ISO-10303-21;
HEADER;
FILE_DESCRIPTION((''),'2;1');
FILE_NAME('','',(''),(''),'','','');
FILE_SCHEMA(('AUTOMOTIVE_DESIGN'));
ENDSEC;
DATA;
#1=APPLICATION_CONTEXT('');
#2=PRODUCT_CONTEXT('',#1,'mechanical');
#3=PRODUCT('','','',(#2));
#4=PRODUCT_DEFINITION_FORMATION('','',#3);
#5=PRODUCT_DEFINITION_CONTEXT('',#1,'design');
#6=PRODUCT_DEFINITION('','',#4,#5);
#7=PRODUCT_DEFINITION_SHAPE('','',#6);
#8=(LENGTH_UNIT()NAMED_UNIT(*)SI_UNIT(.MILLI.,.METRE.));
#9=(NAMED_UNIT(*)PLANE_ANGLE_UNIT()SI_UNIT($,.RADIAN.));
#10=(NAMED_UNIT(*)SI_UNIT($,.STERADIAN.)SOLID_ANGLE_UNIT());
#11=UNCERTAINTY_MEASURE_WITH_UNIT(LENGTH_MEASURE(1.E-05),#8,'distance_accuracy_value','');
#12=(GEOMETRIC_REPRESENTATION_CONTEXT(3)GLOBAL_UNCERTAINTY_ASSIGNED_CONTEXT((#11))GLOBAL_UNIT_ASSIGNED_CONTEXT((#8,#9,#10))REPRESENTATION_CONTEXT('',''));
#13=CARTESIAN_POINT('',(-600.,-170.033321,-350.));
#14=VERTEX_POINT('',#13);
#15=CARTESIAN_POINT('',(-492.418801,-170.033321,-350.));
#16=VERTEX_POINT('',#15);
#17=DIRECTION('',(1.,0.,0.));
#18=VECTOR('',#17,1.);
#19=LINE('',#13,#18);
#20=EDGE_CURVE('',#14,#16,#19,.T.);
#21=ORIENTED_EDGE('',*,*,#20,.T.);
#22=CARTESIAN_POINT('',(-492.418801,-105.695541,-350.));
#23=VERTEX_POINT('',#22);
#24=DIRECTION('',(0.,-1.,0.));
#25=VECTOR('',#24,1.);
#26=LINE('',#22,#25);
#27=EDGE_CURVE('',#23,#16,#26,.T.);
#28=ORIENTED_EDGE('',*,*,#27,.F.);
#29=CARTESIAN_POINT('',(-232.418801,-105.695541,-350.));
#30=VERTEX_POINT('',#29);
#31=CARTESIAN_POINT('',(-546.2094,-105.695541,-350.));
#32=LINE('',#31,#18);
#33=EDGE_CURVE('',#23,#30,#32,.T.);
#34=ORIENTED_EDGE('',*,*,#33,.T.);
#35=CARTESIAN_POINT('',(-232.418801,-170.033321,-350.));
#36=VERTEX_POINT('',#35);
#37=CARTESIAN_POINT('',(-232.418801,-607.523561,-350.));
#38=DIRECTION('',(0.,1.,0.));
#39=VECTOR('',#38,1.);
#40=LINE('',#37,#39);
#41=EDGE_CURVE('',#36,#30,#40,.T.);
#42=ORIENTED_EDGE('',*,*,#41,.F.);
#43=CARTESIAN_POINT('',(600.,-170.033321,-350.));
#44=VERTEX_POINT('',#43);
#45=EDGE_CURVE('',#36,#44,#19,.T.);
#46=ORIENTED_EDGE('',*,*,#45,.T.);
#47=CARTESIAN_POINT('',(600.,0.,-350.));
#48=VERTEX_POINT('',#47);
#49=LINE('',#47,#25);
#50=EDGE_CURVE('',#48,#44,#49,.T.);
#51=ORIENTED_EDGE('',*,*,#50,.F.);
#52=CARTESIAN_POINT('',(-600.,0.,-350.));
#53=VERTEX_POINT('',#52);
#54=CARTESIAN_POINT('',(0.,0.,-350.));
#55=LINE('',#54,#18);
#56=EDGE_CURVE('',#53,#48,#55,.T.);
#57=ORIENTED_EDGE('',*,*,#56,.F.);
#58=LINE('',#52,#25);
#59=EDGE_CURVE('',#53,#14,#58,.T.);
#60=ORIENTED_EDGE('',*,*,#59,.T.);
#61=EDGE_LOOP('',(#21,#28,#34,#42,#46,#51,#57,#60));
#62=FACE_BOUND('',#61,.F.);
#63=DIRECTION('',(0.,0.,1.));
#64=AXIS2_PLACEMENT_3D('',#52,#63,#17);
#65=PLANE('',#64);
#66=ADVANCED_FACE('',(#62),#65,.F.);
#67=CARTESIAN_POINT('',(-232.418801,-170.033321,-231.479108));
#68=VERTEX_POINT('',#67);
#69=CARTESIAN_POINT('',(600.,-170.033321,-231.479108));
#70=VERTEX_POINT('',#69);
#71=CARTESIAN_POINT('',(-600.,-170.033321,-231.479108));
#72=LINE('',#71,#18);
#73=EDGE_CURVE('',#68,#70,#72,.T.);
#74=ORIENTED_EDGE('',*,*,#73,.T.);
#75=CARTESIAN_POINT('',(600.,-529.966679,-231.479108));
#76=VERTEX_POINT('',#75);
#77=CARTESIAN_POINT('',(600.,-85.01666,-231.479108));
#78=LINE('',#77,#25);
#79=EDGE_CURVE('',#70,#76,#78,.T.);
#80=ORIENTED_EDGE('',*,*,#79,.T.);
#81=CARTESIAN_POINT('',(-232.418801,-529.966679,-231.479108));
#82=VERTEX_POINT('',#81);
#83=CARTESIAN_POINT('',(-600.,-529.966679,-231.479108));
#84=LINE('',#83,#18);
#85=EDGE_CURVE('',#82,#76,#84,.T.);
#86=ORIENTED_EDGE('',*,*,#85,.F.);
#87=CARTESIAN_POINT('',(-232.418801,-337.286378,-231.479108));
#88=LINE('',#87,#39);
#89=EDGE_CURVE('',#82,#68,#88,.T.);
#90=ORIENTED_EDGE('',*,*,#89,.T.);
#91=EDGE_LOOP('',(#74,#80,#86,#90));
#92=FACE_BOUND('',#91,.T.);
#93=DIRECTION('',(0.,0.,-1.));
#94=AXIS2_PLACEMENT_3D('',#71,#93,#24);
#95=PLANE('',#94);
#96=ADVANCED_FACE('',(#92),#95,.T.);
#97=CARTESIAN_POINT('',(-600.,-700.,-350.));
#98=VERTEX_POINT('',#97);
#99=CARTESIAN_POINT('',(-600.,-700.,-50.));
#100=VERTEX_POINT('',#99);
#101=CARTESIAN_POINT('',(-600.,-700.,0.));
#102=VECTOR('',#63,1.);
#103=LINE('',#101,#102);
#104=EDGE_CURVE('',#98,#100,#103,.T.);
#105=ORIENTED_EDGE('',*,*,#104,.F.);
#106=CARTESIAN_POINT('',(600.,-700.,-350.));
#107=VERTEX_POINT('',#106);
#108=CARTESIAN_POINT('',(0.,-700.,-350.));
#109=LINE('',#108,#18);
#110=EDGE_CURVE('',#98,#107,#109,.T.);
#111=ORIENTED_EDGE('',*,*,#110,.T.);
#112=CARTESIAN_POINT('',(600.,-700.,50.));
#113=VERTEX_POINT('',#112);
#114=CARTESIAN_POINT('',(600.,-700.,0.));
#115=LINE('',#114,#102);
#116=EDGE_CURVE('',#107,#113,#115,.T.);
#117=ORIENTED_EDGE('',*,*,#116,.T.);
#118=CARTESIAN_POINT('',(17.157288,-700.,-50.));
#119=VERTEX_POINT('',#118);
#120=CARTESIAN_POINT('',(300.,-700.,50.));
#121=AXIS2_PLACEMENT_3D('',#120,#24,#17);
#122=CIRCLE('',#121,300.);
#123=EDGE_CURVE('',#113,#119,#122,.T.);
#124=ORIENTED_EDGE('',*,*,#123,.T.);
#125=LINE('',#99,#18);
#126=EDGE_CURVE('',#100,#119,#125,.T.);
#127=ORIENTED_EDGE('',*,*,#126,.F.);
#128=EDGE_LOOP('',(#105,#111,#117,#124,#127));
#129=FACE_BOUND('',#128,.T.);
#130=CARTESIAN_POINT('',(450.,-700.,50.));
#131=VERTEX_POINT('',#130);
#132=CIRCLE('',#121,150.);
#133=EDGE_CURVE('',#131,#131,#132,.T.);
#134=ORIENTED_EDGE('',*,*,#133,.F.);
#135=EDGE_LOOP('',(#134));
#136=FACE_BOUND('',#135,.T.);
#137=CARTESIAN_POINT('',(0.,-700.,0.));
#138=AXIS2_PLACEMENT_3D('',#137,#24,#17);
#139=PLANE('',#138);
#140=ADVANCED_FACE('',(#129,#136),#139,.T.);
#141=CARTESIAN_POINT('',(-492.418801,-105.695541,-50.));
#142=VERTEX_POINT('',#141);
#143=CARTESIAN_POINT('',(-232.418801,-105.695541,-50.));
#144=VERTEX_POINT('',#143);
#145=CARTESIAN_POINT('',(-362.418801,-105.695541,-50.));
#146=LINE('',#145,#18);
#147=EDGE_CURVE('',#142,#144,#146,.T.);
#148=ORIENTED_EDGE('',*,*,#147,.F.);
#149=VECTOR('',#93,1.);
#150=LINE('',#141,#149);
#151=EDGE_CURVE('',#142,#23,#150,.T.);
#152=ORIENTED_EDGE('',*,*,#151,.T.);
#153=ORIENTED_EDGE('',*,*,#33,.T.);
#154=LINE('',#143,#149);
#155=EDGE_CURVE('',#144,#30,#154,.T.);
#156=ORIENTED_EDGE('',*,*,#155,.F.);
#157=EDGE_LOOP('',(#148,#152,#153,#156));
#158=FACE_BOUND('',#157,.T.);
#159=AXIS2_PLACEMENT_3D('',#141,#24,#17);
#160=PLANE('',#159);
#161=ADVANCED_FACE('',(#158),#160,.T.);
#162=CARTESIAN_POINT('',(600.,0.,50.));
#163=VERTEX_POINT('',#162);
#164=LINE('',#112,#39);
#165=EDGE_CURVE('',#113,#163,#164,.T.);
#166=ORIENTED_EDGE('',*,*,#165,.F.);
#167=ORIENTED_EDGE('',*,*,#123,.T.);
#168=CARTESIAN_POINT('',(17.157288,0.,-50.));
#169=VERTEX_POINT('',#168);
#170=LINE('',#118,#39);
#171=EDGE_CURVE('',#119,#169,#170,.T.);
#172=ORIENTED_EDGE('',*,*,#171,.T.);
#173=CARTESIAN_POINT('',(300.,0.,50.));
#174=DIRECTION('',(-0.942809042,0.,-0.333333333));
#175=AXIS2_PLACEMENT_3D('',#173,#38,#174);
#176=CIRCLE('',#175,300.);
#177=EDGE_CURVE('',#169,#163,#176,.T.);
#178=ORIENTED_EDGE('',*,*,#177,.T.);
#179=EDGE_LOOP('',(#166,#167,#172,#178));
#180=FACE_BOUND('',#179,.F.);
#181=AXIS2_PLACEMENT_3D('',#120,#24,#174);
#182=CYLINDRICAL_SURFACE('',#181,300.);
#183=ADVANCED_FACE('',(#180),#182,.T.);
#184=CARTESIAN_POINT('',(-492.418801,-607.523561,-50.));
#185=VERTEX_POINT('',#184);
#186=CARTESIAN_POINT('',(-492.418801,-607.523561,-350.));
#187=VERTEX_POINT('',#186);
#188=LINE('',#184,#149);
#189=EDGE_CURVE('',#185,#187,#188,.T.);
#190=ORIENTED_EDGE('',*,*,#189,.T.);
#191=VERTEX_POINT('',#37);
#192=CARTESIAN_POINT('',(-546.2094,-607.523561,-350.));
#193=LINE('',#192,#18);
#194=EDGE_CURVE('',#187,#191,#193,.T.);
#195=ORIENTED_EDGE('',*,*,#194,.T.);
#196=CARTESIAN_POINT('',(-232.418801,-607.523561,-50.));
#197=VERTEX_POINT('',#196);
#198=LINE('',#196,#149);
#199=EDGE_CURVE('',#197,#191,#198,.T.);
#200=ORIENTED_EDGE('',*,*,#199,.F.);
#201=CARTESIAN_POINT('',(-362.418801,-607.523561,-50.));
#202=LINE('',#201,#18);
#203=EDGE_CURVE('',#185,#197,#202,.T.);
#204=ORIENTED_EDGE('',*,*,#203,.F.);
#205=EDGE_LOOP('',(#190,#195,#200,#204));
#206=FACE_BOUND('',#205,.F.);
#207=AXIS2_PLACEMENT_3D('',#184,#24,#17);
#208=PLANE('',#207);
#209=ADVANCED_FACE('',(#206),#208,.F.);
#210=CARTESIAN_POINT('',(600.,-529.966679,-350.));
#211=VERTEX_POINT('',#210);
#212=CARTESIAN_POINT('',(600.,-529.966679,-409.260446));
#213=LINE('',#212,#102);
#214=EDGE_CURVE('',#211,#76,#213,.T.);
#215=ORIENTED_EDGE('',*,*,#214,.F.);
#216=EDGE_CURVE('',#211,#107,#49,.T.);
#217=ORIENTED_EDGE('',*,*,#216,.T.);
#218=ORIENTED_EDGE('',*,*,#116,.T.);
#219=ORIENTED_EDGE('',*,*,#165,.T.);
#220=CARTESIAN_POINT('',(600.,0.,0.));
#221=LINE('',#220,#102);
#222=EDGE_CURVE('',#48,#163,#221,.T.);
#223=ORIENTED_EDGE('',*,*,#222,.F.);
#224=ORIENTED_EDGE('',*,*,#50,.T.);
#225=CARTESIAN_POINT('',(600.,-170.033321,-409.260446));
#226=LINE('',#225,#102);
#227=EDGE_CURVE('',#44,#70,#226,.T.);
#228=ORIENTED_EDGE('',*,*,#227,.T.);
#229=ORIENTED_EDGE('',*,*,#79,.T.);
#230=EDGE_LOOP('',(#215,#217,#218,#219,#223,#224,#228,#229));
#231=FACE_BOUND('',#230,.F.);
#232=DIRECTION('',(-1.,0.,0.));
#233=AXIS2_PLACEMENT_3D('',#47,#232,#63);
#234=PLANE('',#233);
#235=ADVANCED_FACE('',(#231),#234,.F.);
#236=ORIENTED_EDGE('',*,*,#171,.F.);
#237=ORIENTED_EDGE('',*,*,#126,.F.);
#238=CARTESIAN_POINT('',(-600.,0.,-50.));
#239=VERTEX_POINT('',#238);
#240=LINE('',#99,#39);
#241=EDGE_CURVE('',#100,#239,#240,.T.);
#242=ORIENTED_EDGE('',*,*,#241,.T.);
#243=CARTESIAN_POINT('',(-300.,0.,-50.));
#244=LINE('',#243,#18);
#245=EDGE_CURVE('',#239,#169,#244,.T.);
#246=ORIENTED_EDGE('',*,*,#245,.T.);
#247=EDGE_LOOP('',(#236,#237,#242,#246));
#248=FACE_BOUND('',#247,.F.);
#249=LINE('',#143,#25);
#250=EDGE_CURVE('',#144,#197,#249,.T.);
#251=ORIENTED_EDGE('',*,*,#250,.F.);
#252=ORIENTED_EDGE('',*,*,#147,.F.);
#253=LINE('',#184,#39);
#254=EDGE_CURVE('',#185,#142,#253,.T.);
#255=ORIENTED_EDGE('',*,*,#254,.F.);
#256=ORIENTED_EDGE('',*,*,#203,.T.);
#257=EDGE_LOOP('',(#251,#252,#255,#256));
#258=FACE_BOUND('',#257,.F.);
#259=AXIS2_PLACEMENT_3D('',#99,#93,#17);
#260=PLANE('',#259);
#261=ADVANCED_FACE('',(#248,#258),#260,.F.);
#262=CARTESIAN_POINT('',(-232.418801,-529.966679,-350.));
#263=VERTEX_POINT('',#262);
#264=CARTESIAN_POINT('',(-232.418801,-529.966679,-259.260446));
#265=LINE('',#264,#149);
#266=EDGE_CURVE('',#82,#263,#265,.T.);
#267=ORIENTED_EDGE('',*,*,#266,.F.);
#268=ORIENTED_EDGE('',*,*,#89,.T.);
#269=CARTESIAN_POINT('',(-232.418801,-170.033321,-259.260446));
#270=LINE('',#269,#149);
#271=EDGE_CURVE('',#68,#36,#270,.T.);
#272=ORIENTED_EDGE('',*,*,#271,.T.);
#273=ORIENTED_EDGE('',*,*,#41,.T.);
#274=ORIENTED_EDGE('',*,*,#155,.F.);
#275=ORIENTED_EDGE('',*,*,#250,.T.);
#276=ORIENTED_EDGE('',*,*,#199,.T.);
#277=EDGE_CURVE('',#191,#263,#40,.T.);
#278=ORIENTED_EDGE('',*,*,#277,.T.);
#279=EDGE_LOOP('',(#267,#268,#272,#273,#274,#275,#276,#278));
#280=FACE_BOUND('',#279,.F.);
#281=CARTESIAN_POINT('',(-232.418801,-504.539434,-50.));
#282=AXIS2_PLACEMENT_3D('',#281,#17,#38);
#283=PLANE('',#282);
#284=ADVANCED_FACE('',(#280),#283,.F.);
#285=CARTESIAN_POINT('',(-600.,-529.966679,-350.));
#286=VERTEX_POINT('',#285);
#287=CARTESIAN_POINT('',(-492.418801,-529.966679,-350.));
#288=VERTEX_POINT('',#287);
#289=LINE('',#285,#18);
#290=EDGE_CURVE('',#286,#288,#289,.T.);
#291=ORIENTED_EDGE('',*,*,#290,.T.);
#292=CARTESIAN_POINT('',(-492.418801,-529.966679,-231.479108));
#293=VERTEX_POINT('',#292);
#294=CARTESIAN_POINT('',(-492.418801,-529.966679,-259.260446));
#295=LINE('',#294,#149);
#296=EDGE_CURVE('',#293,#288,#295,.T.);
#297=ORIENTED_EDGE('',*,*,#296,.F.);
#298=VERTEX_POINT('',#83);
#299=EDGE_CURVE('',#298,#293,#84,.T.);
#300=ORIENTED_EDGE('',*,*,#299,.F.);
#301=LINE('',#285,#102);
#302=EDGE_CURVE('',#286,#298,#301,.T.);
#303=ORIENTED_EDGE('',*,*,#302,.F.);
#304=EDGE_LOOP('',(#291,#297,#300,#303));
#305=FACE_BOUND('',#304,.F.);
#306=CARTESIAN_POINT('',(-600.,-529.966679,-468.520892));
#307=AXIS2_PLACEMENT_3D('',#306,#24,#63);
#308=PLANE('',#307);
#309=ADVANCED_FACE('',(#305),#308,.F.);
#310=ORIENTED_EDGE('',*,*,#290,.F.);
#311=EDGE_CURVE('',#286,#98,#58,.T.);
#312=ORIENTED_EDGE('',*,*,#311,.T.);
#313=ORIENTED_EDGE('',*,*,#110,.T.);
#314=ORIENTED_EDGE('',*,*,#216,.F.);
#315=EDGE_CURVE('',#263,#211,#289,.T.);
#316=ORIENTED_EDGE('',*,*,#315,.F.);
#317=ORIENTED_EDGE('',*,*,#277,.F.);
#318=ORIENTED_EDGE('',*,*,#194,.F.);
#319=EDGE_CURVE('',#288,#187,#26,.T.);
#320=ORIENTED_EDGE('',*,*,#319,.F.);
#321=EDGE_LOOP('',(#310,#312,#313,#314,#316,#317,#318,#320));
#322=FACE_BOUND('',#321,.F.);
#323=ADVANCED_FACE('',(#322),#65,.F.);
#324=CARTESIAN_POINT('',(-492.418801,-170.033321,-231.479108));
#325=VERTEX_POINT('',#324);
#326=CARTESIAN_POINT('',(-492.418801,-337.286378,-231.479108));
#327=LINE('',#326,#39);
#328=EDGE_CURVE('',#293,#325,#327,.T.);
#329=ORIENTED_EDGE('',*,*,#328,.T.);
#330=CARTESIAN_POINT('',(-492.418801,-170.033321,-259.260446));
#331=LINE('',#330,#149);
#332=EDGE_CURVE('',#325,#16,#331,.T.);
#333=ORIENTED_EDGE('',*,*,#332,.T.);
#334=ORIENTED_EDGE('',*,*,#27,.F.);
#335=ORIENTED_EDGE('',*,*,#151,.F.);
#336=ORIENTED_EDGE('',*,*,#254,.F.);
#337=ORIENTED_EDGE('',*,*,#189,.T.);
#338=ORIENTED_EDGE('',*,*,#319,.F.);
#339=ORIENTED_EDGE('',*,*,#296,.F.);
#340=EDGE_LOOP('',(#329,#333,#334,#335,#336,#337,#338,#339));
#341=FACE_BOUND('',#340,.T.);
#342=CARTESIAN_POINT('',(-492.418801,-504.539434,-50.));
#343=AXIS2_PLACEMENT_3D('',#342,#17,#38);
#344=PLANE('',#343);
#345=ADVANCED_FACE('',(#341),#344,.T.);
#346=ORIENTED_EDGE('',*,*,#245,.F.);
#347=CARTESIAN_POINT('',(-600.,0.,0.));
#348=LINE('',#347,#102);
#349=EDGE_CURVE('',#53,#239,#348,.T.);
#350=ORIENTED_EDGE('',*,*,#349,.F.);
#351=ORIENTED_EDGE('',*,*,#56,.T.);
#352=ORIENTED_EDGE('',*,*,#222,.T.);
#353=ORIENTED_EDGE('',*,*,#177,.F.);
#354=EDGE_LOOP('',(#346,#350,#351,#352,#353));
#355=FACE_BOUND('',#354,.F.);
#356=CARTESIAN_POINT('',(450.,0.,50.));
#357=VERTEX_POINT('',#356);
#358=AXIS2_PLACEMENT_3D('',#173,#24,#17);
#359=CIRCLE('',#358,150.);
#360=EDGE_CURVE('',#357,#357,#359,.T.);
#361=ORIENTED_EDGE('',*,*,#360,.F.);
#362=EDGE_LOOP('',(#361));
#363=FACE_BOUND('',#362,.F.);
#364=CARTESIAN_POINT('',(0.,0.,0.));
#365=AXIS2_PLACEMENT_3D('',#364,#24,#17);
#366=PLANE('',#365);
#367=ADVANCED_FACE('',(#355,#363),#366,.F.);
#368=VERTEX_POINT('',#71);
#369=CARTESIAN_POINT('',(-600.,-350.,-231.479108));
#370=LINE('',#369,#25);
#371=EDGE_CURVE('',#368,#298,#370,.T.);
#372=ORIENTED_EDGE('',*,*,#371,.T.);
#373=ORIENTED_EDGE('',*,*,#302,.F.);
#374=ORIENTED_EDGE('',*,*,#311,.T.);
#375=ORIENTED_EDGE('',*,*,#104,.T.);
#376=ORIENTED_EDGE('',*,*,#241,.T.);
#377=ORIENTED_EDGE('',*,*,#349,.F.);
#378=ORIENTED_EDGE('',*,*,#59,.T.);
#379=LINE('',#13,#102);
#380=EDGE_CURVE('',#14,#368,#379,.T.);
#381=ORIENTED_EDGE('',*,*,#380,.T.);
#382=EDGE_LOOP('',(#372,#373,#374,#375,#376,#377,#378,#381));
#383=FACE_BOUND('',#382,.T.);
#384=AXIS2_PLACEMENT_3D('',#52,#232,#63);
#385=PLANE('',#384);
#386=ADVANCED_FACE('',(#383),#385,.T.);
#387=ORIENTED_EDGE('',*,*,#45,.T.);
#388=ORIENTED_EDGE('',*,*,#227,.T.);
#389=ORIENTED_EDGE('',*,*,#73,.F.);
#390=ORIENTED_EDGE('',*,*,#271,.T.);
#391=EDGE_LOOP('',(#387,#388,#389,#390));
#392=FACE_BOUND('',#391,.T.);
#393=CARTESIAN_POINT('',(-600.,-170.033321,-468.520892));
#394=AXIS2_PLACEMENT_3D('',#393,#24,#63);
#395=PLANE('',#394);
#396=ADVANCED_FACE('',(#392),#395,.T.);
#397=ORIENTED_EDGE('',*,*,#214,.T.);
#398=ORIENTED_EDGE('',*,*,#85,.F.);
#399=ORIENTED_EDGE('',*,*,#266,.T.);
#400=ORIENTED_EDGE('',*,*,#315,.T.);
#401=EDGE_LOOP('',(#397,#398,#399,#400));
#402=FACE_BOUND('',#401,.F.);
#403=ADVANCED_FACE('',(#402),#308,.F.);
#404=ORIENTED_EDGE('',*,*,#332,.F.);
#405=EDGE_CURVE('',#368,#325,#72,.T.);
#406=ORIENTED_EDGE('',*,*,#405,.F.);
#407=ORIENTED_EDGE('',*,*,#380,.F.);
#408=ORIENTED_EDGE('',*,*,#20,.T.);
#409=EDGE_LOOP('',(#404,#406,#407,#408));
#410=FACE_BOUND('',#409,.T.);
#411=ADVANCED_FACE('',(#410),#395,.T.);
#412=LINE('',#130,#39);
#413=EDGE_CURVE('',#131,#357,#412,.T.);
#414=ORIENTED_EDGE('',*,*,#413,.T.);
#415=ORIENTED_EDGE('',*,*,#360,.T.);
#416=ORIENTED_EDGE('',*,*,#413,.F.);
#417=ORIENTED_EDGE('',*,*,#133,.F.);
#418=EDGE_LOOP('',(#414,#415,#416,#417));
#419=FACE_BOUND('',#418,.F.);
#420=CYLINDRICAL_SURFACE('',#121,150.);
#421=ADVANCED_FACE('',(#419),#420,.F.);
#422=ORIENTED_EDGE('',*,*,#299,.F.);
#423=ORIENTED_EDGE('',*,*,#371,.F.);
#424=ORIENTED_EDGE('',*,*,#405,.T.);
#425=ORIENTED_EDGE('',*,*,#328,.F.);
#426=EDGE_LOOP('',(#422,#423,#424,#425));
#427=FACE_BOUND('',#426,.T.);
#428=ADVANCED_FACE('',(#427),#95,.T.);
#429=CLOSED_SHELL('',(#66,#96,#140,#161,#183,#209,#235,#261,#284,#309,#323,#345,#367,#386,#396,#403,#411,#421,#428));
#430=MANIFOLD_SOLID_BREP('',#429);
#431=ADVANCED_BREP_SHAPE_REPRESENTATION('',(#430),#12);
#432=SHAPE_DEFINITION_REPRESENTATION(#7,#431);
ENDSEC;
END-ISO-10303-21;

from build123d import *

# Parameters (mm, degrees)
F0_W      = 1200
F0_H      = 700
F1_DEPTH  = 700
F3_DEPTH  = 700.001
F4_R      = 150
F5_DEPTH  = 700.001
F6_W      = 260
F6_H      = 398.8438928255
F7_DEPTH  = 300.001
F8_W      = 260
F8_H      = 102.9841262038
F9_DEPTH  = 300.001
F10_W     = 359.9333584309
F10_H     = 237.0417833328
F11_DEPTH = 1200.001


with BuildPart() as f1:
    # F0 (on Front) → F1 (new body)
    with BuildSketch(Plane.XZ):
        Rectangle(F0_W, F0_H)
    extrude(amount=F1_DEPTH)

    # F2 (on face) → F3 (cut, through all)
    with BuildSketch(Plane.XZ.offset(700)):
        with BuildLine():
            Line((-600, -50), (17.1572875254, -50))
            ThreePointArc((17.1572875254, -50), (55.0510257217, 223.2050807569), (300, 350))
            Line((300, 350), (-600, 350))
            Line((-600, 350), (-600, -50))
        make_face()
        with BuildLine():
            ThreePointArc((300, 350), (512.132034356, 262.132034356), (600, 50))
            Line((600, 50), (600, 350))
            Line((600, 350), (300, 350))
        make_face()
    extrude(amount=-F3_DEPTH, mode=Mode.SUBTRACT)

    # F4 (on face) → F5 (cut, through all)
    with BuildSketch(Plane.XZ.offset(700)):
        with Locations((300, 50)):
            Circle(F4_R)
    extrude(amount=-F5_DEPTH, mode=Mode.SUBTRACT)

    # F6 (on face) → F7 (cut, through all)
    with BuildSketch(Plane.XY.offset(-50)):
        with Locations((-362.4188005924, -305.1174879074)):
            Rectangle(F6_W, F6_H)
    extrude(amount=-F7_DEPTH, mode=Mode.SUBTRACT)

    # F8 (on face) → F9 (cut, through all)
    with BuildSketch(Plane.XY.offset(-50)):
        with Locations((-362.4188005924, -556.0314974221)):
            Rectangle(F8_W, F8_H)
    extrude(amount=-F9_DEPTH, mode=Mode.SUBTRACT)

    # F10 (on face) → F11 (cut, through all)
    with BuildSketch(Plane(origin=(-600, 0, 0), x_dir=(0, -1, 0), z_dir=(-1, 0, 0))):
        with Locations((350, -350)):
            Rectangle(F10_W, F10_H)
    extrude(amount=-F11_DEPTH, mode=Mode.SUBTRACT)


solid = f1.part
